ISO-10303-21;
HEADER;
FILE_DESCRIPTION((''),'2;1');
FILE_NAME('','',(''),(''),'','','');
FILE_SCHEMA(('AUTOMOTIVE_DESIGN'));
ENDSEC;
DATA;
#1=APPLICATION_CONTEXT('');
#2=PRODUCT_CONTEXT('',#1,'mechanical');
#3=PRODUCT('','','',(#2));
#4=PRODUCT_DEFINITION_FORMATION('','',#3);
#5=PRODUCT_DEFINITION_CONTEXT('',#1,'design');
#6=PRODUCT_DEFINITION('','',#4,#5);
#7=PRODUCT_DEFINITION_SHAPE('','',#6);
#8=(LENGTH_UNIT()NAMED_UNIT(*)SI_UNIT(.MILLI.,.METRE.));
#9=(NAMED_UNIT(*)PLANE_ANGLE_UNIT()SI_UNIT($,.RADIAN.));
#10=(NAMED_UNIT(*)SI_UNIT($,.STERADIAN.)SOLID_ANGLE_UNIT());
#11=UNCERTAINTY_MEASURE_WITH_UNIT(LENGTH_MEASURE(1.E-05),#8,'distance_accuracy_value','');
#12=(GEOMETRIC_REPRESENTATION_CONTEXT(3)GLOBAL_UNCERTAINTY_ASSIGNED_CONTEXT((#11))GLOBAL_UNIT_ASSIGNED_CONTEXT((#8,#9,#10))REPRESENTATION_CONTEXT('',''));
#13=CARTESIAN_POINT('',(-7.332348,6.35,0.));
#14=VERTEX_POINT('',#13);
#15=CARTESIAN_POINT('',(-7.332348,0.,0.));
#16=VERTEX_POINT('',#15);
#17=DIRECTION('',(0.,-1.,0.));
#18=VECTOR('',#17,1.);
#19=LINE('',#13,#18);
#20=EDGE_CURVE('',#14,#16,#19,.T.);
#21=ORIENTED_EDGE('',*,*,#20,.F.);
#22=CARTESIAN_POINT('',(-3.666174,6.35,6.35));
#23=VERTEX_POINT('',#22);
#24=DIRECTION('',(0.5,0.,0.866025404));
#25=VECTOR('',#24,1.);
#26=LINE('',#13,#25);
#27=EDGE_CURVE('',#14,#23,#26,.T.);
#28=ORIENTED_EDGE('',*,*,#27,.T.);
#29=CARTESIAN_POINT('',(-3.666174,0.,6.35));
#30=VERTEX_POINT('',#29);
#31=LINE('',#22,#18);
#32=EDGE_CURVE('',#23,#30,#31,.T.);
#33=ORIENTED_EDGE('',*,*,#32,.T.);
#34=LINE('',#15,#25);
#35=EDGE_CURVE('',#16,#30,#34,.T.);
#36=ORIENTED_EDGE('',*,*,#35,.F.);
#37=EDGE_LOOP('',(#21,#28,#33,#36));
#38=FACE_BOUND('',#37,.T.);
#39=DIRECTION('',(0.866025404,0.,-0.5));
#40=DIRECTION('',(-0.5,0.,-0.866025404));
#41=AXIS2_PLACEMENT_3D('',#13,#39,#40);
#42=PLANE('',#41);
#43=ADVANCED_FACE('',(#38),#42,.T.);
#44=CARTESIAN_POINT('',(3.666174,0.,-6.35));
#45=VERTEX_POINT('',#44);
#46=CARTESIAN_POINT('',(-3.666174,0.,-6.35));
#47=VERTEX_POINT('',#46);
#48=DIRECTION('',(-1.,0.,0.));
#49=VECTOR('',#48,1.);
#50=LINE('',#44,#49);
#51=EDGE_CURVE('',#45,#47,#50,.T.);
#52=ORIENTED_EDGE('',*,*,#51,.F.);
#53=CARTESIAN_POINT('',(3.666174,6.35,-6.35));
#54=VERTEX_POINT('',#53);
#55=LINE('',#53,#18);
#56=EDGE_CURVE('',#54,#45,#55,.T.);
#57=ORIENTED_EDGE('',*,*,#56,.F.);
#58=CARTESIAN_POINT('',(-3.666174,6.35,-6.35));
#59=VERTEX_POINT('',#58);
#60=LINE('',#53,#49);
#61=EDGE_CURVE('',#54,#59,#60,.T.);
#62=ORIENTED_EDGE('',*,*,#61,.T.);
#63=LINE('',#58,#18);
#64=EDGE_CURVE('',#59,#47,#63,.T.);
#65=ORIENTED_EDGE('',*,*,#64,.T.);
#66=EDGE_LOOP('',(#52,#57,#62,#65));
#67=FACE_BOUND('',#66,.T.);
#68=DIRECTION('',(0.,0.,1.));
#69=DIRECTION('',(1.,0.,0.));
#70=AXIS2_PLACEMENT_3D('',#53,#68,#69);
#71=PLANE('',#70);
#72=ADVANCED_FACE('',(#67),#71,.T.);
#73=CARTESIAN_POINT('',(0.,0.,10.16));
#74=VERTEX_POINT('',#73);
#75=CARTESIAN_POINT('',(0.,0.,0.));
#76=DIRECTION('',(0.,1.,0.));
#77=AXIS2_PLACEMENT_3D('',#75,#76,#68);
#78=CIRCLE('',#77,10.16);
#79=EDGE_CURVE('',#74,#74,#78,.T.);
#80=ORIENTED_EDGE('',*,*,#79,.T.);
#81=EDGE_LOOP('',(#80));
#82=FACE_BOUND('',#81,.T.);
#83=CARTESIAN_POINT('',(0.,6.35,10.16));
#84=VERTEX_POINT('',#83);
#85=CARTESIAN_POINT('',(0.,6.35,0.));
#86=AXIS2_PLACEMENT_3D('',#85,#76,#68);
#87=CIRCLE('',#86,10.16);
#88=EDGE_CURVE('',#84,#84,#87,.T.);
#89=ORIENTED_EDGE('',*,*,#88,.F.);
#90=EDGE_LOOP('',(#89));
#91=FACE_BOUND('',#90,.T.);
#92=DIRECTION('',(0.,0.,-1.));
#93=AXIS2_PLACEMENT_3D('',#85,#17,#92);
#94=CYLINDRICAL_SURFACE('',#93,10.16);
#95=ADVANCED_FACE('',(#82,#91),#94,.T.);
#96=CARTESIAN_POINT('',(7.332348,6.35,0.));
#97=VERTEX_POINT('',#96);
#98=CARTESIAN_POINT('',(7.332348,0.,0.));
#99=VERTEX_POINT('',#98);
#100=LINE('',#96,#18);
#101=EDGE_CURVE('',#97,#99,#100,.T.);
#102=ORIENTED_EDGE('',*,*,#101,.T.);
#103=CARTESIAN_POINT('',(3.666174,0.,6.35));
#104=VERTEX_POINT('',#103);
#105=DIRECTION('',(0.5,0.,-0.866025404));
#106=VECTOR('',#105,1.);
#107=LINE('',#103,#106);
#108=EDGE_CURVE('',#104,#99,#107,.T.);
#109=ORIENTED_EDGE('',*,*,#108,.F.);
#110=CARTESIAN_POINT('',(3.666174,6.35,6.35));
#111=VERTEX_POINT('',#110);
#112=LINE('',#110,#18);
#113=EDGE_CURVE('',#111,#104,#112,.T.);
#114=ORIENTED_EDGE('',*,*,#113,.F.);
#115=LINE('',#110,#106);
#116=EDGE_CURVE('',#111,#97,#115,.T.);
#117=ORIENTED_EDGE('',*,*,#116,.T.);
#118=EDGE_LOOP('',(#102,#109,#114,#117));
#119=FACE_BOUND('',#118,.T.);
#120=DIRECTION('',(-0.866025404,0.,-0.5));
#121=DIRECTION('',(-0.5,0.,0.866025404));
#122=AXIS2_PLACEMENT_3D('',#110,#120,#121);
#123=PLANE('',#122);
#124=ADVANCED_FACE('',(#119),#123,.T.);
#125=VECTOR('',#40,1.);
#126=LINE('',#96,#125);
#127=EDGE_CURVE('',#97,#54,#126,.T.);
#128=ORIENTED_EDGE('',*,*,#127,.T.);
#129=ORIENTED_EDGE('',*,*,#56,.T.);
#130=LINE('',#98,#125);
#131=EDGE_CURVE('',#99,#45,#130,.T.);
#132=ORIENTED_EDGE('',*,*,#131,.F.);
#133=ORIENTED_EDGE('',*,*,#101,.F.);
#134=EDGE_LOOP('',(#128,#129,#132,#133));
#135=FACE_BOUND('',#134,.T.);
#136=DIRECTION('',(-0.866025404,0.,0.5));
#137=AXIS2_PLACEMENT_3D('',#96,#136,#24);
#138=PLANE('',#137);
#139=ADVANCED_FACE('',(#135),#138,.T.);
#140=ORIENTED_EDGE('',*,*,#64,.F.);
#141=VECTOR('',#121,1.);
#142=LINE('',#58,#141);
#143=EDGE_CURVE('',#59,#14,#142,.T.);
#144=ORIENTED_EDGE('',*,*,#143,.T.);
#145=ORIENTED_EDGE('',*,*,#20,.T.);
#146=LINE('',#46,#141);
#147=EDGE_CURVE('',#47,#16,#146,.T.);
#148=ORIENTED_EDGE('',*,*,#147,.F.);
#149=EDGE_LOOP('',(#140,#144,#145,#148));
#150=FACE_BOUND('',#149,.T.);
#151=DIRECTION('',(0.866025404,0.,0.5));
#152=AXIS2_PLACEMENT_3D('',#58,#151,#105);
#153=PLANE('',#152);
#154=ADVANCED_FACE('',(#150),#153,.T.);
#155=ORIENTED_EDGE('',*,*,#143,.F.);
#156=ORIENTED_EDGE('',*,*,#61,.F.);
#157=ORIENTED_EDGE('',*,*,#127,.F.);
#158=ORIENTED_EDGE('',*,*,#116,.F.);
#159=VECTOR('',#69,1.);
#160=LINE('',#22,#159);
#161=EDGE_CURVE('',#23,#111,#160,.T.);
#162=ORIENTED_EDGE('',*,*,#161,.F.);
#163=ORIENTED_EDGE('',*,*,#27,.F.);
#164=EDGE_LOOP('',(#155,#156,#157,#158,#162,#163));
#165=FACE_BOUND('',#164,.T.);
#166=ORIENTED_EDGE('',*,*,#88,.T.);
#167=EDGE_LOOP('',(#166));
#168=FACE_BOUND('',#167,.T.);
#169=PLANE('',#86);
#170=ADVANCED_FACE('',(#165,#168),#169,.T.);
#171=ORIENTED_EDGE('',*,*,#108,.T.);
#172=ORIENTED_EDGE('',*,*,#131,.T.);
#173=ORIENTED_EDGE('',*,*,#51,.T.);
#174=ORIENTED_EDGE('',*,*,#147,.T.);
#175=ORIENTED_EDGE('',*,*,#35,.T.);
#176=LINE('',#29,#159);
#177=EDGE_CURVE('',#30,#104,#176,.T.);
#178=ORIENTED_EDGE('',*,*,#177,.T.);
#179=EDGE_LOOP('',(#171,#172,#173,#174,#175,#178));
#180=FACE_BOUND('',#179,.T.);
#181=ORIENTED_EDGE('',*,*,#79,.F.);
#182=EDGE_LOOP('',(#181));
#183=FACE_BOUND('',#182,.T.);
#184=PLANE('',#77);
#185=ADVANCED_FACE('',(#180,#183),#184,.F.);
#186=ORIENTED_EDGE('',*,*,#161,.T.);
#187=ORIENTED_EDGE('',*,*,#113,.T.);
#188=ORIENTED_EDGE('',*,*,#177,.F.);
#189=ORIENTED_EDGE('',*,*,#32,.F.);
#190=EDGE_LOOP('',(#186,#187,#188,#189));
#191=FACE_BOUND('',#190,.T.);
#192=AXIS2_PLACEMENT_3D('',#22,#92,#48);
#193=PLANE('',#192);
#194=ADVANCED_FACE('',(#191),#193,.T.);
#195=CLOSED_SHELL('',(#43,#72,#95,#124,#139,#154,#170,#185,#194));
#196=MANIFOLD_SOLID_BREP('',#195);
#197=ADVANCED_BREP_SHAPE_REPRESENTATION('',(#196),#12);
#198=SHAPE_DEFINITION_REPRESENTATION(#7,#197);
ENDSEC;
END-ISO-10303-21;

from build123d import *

# Parameters (mm, degrees)
SKETCH1_R           = 10.16
BOSS_EXTRUDE1_DEPTH = 6.35


with BuildPart() as part:
    # Sketch1 → Boss-Extrude1 (new body)
    with BuildSketch(Plane(origin=(0, 0, 0), x_dir=(1, 0, 0), z_dir=(0, 1, 0))):
        Circle(SKETCH1_R)
        Polygon((7.332348419, 0), (3.666174209, 6.35), (-3.666174209, 6.35), (-7.332348419, 0), (-3.666174209, -6.35), (3.666174209, -6.35), align=None, mode=Mode.SUBTRACT)
    extrude(amount=BOSS_EXTRUDE1_DEPTH)


solid = part.part
